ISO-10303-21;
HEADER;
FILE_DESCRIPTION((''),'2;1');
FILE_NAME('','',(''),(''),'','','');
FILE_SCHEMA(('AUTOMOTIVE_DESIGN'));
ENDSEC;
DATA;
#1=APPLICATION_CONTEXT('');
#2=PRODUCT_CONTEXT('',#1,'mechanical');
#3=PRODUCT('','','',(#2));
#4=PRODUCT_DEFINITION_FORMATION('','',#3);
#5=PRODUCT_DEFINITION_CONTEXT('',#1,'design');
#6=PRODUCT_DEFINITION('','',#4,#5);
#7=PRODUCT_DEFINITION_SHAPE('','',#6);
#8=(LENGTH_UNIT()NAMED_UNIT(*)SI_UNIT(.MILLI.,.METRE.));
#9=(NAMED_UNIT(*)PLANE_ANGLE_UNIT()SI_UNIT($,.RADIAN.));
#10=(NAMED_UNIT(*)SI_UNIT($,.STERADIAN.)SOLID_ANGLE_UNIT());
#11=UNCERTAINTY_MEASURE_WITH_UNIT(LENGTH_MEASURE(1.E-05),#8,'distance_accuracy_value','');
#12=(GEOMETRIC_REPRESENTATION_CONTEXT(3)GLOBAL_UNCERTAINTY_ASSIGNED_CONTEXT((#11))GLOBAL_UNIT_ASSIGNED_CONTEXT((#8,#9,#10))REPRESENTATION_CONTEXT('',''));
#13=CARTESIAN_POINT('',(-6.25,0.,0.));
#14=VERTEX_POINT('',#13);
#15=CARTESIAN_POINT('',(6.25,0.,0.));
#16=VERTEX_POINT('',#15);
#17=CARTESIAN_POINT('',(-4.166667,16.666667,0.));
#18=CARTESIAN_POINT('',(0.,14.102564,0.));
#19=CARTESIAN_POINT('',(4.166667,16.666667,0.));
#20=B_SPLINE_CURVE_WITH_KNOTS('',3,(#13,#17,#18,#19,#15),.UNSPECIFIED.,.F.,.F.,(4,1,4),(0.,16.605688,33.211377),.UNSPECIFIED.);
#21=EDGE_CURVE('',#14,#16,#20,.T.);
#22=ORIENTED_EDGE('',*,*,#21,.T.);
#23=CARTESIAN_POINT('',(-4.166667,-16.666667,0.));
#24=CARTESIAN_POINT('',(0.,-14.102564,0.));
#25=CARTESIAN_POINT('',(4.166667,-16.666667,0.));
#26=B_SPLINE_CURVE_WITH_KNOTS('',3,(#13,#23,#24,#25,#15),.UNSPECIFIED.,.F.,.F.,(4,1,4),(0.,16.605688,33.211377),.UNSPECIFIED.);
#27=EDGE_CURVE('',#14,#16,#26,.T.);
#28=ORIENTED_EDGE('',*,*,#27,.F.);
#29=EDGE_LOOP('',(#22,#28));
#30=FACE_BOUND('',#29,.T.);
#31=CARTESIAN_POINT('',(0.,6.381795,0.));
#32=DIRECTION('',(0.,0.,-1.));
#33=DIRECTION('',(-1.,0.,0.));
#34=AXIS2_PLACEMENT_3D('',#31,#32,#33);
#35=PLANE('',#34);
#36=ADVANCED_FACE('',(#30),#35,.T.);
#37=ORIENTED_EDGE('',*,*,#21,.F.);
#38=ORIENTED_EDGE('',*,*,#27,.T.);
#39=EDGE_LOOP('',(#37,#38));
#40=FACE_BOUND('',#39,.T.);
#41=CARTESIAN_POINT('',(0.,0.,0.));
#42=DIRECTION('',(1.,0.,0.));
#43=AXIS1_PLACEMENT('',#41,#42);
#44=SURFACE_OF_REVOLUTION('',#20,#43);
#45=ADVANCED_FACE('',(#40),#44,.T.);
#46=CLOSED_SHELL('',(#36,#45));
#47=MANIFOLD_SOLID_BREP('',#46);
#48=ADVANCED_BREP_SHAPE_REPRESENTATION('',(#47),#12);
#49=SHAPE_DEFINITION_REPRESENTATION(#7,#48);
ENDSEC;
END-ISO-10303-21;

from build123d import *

# Parameters (mm, degrees)
F1_ANGLE = 180


with BuildPart() as f1:
    # F0 (on Top) → F1 (revolve)
    with BuildSketch(Plane.XY):
        with BuildLine():
            add(Edge.make_bspline(
                [(-6.25, 0), (-4.166667, 16.666667), (0, 14.102564), (4.166667, 16.666667), (6.25, 0)],
                knots=[0, 0, 0, 0, 16.605688, 33.211377, 33.211377, 33.211377, 33.211377], degree=3))
            Line((-6.25, 0), (6.25, 0))
        make_face()
    revolve(axis=Axis((0, 0, 0), (1, 0, 0)), revolution_arc=F1_ANGLE)


solid = f1.part
